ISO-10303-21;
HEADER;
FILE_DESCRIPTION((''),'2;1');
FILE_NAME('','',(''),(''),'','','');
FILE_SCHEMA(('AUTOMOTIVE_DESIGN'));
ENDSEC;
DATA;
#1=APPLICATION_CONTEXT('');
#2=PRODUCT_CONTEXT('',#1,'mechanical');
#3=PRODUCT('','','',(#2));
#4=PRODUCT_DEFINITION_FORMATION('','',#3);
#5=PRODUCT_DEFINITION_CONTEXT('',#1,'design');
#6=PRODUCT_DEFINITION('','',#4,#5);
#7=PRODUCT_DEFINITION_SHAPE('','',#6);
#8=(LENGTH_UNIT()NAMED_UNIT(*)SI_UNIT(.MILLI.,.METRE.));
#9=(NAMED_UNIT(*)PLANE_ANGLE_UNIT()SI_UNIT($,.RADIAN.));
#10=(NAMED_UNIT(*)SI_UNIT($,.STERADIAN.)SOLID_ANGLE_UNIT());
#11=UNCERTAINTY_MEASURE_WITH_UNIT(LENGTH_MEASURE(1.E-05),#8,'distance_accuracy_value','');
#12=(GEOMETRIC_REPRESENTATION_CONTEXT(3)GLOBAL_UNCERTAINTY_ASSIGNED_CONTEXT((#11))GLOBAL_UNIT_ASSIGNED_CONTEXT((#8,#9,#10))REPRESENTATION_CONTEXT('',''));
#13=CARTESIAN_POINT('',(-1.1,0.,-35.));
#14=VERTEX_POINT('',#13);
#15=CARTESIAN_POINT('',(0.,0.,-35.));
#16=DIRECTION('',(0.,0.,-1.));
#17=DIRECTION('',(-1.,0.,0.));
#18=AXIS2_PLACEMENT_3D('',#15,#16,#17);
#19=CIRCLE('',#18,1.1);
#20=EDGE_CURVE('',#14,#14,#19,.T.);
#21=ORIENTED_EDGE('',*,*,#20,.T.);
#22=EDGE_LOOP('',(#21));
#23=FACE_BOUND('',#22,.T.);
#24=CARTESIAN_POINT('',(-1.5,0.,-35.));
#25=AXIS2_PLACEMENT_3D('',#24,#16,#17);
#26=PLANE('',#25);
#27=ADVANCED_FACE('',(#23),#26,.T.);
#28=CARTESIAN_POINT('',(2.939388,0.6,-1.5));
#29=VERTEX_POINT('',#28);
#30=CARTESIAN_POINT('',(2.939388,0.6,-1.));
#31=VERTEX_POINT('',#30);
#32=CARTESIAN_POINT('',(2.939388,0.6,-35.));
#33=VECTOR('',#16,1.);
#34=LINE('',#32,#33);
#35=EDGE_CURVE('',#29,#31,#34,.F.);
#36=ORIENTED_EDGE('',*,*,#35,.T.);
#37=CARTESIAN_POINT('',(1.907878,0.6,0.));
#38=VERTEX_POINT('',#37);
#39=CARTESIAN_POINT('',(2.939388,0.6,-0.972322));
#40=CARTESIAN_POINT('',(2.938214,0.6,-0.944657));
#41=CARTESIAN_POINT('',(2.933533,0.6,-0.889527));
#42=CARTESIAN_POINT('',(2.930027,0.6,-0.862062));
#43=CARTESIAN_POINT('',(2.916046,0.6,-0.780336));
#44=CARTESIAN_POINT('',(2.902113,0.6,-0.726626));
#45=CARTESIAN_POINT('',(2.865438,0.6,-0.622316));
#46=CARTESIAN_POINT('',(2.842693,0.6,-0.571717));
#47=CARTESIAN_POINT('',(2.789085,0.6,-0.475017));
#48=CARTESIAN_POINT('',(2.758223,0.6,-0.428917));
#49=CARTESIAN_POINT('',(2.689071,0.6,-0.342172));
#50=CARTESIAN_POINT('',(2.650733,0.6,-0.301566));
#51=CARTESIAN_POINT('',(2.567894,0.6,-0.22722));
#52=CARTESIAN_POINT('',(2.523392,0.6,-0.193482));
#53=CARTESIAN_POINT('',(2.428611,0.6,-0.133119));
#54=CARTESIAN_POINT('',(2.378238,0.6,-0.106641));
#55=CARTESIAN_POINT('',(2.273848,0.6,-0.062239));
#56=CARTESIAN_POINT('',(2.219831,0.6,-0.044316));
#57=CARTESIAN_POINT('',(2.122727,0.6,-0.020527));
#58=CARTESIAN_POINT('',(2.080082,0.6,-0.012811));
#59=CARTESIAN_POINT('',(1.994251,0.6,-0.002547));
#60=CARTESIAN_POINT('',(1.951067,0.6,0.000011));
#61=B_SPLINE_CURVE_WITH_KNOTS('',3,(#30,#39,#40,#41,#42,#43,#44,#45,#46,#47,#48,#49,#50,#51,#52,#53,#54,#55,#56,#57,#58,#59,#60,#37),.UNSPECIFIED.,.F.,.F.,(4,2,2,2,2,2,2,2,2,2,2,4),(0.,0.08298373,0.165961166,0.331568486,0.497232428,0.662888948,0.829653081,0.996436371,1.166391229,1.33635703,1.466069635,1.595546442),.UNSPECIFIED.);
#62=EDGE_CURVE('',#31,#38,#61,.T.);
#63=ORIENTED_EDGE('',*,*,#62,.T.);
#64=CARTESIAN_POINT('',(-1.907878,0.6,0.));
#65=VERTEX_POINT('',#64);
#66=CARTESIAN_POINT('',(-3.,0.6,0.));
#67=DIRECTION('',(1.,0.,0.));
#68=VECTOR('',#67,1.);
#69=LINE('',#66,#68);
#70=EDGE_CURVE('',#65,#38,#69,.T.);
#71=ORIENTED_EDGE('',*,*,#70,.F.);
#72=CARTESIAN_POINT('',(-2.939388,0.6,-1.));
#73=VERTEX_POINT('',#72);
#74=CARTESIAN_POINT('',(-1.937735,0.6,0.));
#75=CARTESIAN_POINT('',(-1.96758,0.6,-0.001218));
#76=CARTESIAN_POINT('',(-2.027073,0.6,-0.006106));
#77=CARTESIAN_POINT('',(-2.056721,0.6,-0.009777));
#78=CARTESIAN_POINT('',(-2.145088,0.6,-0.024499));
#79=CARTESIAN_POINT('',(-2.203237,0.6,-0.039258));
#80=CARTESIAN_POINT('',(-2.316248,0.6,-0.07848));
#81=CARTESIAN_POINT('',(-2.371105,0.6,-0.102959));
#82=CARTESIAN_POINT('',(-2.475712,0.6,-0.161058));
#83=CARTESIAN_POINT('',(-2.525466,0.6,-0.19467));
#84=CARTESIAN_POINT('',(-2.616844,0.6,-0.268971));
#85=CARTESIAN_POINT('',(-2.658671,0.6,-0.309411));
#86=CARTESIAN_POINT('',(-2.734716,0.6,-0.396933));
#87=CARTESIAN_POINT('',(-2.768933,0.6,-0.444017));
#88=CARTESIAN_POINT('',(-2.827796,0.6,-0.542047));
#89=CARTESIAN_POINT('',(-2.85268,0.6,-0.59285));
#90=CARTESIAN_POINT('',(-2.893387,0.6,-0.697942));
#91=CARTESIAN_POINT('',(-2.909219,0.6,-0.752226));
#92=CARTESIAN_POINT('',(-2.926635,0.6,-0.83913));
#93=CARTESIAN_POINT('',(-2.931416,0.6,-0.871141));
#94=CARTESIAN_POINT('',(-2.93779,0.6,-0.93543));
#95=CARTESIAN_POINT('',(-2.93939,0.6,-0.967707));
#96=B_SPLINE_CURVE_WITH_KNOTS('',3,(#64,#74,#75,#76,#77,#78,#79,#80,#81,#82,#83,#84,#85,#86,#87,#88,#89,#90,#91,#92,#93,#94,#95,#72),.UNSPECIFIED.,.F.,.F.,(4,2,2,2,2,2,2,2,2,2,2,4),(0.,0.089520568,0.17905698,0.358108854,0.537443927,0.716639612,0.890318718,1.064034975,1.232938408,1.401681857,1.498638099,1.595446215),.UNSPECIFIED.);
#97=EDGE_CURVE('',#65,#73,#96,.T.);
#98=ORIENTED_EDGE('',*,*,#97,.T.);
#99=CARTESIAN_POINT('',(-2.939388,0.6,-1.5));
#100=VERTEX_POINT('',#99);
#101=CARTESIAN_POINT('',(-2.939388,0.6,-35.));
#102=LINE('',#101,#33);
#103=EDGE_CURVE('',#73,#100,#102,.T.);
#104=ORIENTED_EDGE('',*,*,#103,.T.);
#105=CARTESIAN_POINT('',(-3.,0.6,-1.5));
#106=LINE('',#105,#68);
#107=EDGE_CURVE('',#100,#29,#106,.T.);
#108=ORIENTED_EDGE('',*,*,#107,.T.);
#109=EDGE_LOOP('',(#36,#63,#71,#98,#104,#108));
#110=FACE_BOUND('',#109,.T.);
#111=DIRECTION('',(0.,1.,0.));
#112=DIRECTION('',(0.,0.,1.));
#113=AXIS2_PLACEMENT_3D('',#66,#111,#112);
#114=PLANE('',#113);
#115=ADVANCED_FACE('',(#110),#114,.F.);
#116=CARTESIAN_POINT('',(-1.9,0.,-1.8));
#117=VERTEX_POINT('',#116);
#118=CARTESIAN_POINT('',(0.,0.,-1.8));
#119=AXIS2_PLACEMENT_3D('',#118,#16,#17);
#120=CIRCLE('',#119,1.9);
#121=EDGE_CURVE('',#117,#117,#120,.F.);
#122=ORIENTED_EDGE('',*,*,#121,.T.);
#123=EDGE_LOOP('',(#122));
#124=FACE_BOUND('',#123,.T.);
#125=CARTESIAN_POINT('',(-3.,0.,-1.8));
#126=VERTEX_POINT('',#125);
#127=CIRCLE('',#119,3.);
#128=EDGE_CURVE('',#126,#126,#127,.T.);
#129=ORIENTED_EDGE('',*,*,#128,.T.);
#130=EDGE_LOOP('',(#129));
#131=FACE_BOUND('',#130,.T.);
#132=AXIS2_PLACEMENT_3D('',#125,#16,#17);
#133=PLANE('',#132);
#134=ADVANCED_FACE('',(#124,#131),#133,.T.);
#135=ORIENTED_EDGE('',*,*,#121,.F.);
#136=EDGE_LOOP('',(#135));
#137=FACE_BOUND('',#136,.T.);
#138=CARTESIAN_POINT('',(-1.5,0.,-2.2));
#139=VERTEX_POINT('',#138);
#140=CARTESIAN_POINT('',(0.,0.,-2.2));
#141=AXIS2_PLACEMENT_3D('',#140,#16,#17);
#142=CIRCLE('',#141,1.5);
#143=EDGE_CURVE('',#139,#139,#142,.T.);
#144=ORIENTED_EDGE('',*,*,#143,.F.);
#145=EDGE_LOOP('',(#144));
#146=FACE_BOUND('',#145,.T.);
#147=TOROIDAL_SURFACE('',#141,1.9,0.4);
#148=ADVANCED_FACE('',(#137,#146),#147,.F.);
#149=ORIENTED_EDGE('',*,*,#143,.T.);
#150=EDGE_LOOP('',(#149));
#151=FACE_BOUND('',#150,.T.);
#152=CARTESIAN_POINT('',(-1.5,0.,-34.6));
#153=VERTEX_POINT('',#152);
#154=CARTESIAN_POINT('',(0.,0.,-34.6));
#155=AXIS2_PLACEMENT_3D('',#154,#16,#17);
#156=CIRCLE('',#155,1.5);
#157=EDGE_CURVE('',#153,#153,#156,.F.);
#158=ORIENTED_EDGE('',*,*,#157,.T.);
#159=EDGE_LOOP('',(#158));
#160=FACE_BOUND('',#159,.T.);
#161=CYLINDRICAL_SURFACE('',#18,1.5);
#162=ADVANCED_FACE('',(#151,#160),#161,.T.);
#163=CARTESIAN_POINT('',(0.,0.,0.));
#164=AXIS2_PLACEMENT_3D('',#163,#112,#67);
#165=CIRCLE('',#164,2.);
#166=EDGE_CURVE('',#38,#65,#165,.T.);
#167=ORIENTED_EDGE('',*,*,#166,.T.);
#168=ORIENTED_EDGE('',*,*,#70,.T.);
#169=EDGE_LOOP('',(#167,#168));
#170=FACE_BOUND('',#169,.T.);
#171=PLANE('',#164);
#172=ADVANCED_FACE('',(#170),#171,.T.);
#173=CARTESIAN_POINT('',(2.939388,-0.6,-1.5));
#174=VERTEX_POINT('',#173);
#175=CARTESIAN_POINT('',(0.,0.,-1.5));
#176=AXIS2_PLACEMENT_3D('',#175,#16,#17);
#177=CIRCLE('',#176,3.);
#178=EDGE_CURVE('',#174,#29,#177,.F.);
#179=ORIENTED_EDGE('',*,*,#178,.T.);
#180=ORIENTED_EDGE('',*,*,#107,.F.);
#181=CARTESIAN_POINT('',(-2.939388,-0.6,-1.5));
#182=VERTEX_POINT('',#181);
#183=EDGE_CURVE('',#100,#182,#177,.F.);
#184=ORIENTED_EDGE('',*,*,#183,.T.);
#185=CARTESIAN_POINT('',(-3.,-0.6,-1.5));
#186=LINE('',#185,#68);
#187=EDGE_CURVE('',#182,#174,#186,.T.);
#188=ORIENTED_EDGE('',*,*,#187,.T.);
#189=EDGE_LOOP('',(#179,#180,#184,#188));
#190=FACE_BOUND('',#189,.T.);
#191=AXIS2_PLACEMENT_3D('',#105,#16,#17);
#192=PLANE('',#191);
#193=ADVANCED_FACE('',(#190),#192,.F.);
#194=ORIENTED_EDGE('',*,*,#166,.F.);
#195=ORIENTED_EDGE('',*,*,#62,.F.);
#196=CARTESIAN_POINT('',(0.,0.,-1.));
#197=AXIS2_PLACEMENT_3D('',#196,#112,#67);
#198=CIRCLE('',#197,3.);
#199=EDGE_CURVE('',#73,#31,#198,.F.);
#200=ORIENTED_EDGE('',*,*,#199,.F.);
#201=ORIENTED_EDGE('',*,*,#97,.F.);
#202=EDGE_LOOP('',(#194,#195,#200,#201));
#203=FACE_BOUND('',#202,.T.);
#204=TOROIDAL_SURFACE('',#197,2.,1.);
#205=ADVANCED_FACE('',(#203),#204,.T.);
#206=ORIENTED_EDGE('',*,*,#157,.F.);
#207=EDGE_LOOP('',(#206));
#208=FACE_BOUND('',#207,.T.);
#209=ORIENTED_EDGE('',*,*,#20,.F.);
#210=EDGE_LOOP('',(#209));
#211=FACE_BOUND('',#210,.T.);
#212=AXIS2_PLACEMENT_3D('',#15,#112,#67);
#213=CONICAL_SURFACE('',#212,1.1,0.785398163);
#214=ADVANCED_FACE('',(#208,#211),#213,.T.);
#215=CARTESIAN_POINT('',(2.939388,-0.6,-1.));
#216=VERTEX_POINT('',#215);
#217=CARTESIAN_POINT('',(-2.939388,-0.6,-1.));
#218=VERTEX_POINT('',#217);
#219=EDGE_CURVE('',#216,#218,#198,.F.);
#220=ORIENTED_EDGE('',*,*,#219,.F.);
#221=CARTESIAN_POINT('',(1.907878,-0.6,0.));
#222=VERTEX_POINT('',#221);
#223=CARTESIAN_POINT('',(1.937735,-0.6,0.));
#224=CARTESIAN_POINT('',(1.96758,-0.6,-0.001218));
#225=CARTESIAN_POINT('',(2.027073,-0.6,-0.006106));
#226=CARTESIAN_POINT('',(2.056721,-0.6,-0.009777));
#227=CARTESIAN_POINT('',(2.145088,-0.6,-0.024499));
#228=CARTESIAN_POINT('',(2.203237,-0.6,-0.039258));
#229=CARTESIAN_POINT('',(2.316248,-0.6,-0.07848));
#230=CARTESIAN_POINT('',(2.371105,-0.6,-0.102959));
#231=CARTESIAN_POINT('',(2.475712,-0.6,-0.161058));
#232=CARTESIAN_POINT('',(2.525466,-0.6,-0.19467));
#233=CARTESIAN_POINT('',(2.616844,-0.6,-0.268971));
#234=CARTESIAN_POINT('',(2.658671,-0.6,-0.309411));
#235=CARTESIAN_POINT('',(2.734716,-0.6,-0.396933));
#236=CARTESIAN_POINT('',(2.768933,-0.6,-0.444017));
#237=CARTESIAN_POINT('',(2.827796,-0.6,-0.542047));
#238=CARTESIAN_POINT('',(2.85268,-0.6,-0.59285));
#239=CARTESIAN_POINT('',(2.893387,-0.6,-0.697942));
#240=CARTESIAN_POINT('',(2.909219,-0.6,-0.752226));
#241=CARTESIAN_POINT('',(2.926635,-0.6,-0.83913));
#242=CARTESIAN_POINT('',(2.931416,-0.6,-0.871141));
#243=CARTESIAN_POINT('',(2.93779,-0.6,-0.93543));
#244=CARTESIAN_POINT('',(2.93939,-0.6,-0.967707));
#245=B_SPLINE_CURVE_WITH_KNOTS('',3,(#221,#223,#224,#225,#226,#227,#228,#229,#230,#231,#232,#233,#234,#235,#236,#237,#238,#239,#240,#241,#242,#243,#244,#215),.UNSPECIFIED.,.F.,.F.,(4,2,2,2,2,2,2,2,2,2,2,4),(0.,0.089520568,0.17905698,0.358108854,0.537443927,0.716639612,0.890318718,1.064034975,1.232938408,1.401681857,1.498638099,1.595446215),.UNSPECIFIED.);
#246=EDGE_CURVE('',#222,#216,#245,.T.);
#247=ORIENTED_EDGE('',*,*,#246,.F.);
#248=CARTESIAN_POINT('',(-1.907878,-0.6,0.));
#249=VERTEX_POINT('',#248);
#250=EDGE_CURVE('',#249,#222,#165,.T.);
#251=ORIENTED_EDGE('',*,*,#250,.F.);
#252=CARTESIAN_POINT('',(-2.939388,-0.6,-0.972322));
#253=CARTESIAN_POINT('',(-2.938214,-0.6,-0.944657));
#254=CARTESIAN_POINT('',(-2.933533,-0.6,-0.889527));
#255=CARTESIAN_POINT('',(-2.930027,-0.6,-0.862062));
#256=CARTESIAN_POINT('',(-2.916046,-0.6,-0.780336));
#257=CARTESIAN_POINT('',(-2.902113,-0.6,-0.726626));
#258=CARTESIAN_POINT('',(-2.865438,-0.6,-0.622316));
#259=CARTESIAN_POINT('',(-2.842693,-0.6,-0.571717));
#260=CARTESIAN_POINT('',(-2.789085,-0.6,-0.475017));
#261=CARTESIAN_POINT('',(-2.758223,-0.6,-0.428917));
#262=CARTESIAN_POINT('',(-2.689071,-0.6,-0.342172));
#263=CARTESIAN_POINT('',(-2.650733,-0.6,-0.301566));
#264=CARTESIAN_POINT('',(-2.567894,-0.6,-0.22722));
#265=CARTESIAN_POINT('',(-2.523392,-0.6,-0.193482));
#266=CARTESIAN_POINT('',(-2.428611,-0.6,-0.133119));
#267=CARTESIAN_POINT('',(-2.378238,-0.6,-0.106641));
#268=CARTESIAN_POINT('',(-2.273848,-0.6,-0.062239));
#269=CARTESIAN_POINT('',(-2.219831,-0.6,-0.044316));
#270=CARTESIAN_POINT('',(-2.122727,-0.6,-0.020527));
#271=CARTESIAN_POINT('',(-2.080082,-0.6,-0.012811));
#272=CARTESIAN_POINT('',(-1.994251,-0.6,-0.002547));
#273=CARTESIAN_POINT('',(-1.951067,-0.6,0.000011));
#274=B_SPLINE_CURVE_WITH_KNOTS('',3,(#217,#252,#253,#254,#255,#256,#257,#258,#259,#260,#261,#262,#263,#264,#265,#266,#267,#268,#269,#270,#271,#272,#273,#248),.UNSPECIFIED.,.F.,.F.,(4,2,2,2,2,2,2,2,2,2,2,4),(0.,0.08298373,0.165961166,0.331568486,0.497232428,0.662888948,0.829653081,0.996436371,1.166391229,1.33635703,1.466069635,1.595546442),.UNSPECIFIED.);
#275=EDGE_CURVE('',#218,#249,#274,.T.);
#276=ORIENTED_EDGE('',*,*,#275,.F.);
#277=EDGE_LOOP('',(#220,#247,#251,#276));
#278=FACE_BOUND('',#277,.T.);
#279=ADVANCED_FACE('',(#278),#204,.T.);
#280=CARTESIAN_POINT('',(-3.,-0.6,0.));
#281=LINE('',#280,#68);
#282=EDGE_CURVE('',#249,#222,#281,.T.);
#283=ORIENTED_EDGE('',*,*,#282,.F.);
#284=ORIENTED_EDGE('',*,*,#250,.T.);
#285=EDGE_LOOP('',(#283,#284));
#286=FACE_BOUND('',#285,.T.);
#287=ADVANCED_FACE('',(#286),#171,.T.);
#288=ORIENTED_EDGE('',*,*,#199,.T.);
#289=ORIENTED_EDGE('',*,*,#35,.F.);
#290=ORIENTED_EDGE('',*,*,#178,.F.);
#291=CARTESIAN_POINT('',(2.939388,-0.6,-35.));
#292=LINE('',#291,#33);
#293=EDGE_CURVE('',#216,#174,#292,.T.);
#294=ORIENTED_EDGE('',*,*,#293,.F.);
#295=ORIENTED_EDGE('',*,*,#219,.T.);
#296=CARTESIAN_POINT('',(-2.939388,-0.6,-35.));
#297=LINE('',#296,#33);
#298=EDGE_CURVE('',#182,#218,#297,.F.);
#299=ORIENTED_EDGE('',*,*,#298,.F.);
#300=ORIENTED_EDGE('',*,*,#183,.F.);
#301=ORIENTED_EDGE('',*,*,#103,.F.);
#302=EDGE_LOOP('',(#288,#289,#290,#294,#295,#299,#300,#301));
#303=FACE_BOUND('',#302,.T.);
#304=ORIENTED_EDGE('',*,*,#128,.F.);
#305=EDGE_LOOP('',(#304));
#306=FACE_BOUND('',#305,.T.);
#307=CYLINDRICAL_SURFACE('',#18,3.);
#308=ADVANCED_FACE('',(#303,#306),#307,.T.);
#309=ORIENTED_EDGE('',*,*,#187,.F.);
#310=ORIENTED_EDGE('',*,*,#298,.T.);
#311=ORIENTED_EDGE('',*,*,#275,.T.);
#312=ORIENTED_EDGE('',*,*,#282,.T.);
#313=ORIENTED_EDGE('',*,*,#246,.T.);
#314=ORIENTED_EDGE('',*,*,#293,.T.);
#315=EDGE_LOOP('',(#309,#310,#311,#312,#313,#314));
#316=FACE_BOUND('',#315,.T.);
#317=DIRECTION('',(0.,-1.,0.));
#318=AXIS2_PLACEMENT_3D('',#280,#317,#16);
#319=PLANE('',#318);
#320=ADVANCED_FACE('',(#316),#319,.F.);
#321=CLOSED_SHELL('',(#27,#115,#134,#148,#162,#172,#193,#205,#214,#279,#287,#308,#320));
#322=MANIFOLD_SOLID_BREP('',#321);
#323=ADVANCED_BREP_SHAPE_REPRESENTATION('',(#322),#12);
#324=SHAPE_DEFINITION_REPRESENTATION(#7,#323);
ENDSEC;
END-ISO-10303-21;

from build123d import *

# Parameters (mm, degrees)
SKETCH_2_W               = 1.5
SKETCH_2_H               = 1.2
CUT_EXTRUDE_1_DEPTH      = 4
CUT_EXTRUDE_1_DEPTH_BACK = 4
CHAMFER_1_SIZE           = 0.4
FILLET_1_R               = 1
FILLET_2_R               = 0.4


with BuildPart() as part:
    # Эскиз1 → Повернуть1 (revolve)
    with BuildSketch(Plane(origin=(0, 0, 0), x_dir=(1, 0, 0), z_dir=(0, 1, 0))):
        Polygon((0, 0), (-3, 0), (-3, 1.8), (-1.5, 1.8), (-1.5, 35), (0, 35), align=None)
    revolve(axis=Axis((0, 0, -35), (0, 0, 1)))

    # Эскиз2 → Вырез-Вытянуть1 (cut, two sides)
    with BuildSketch(Plane(origin=(0, 0, 0), x_dir=(0, 0, -1), z_dir=(1, 0, 0))) as cut_extrude_1_sk:
        with Locations((0.75, 0)):
            Rectangle(SKETCH_2_W, SKETCH_2_H)
    extrude(amount=CUT_EXTRUDE_1_DEPTH, mode=Mode.SUBTRACT)
    extrude(cut_extrude_1_sk.sketch, amount=-CUT_EXTRUDE_1_DEPTH_BACK, mode=Mode.SUBTRACT)

    # Фаска1
    chamfer_1_edges = [part.edges().sort_by_distance(p)[0] for p in [
        (1.5, 0, -35),
    ]]
    chamfer(chamfer_1_edges, length=CHAMFER_1_SIZE)

    # Скругление1
    fillet_1_edges = [part.edges().sort_by_distance(p)[0] for p in [
        (0, 3, 0),
        (0, -3, 0),
    ]]
    fillet(fillet_1_edges, radius=FILLET_1_R)

    # Скругление2
    fillet_2_edges = [part.edges().sort_by_distance(p)[0] for p in [
        (1.5, 0, -1.8),
    ]]
    fillet(fillet_2_edges, radius=FILLET_2_R)


solid = part.part
